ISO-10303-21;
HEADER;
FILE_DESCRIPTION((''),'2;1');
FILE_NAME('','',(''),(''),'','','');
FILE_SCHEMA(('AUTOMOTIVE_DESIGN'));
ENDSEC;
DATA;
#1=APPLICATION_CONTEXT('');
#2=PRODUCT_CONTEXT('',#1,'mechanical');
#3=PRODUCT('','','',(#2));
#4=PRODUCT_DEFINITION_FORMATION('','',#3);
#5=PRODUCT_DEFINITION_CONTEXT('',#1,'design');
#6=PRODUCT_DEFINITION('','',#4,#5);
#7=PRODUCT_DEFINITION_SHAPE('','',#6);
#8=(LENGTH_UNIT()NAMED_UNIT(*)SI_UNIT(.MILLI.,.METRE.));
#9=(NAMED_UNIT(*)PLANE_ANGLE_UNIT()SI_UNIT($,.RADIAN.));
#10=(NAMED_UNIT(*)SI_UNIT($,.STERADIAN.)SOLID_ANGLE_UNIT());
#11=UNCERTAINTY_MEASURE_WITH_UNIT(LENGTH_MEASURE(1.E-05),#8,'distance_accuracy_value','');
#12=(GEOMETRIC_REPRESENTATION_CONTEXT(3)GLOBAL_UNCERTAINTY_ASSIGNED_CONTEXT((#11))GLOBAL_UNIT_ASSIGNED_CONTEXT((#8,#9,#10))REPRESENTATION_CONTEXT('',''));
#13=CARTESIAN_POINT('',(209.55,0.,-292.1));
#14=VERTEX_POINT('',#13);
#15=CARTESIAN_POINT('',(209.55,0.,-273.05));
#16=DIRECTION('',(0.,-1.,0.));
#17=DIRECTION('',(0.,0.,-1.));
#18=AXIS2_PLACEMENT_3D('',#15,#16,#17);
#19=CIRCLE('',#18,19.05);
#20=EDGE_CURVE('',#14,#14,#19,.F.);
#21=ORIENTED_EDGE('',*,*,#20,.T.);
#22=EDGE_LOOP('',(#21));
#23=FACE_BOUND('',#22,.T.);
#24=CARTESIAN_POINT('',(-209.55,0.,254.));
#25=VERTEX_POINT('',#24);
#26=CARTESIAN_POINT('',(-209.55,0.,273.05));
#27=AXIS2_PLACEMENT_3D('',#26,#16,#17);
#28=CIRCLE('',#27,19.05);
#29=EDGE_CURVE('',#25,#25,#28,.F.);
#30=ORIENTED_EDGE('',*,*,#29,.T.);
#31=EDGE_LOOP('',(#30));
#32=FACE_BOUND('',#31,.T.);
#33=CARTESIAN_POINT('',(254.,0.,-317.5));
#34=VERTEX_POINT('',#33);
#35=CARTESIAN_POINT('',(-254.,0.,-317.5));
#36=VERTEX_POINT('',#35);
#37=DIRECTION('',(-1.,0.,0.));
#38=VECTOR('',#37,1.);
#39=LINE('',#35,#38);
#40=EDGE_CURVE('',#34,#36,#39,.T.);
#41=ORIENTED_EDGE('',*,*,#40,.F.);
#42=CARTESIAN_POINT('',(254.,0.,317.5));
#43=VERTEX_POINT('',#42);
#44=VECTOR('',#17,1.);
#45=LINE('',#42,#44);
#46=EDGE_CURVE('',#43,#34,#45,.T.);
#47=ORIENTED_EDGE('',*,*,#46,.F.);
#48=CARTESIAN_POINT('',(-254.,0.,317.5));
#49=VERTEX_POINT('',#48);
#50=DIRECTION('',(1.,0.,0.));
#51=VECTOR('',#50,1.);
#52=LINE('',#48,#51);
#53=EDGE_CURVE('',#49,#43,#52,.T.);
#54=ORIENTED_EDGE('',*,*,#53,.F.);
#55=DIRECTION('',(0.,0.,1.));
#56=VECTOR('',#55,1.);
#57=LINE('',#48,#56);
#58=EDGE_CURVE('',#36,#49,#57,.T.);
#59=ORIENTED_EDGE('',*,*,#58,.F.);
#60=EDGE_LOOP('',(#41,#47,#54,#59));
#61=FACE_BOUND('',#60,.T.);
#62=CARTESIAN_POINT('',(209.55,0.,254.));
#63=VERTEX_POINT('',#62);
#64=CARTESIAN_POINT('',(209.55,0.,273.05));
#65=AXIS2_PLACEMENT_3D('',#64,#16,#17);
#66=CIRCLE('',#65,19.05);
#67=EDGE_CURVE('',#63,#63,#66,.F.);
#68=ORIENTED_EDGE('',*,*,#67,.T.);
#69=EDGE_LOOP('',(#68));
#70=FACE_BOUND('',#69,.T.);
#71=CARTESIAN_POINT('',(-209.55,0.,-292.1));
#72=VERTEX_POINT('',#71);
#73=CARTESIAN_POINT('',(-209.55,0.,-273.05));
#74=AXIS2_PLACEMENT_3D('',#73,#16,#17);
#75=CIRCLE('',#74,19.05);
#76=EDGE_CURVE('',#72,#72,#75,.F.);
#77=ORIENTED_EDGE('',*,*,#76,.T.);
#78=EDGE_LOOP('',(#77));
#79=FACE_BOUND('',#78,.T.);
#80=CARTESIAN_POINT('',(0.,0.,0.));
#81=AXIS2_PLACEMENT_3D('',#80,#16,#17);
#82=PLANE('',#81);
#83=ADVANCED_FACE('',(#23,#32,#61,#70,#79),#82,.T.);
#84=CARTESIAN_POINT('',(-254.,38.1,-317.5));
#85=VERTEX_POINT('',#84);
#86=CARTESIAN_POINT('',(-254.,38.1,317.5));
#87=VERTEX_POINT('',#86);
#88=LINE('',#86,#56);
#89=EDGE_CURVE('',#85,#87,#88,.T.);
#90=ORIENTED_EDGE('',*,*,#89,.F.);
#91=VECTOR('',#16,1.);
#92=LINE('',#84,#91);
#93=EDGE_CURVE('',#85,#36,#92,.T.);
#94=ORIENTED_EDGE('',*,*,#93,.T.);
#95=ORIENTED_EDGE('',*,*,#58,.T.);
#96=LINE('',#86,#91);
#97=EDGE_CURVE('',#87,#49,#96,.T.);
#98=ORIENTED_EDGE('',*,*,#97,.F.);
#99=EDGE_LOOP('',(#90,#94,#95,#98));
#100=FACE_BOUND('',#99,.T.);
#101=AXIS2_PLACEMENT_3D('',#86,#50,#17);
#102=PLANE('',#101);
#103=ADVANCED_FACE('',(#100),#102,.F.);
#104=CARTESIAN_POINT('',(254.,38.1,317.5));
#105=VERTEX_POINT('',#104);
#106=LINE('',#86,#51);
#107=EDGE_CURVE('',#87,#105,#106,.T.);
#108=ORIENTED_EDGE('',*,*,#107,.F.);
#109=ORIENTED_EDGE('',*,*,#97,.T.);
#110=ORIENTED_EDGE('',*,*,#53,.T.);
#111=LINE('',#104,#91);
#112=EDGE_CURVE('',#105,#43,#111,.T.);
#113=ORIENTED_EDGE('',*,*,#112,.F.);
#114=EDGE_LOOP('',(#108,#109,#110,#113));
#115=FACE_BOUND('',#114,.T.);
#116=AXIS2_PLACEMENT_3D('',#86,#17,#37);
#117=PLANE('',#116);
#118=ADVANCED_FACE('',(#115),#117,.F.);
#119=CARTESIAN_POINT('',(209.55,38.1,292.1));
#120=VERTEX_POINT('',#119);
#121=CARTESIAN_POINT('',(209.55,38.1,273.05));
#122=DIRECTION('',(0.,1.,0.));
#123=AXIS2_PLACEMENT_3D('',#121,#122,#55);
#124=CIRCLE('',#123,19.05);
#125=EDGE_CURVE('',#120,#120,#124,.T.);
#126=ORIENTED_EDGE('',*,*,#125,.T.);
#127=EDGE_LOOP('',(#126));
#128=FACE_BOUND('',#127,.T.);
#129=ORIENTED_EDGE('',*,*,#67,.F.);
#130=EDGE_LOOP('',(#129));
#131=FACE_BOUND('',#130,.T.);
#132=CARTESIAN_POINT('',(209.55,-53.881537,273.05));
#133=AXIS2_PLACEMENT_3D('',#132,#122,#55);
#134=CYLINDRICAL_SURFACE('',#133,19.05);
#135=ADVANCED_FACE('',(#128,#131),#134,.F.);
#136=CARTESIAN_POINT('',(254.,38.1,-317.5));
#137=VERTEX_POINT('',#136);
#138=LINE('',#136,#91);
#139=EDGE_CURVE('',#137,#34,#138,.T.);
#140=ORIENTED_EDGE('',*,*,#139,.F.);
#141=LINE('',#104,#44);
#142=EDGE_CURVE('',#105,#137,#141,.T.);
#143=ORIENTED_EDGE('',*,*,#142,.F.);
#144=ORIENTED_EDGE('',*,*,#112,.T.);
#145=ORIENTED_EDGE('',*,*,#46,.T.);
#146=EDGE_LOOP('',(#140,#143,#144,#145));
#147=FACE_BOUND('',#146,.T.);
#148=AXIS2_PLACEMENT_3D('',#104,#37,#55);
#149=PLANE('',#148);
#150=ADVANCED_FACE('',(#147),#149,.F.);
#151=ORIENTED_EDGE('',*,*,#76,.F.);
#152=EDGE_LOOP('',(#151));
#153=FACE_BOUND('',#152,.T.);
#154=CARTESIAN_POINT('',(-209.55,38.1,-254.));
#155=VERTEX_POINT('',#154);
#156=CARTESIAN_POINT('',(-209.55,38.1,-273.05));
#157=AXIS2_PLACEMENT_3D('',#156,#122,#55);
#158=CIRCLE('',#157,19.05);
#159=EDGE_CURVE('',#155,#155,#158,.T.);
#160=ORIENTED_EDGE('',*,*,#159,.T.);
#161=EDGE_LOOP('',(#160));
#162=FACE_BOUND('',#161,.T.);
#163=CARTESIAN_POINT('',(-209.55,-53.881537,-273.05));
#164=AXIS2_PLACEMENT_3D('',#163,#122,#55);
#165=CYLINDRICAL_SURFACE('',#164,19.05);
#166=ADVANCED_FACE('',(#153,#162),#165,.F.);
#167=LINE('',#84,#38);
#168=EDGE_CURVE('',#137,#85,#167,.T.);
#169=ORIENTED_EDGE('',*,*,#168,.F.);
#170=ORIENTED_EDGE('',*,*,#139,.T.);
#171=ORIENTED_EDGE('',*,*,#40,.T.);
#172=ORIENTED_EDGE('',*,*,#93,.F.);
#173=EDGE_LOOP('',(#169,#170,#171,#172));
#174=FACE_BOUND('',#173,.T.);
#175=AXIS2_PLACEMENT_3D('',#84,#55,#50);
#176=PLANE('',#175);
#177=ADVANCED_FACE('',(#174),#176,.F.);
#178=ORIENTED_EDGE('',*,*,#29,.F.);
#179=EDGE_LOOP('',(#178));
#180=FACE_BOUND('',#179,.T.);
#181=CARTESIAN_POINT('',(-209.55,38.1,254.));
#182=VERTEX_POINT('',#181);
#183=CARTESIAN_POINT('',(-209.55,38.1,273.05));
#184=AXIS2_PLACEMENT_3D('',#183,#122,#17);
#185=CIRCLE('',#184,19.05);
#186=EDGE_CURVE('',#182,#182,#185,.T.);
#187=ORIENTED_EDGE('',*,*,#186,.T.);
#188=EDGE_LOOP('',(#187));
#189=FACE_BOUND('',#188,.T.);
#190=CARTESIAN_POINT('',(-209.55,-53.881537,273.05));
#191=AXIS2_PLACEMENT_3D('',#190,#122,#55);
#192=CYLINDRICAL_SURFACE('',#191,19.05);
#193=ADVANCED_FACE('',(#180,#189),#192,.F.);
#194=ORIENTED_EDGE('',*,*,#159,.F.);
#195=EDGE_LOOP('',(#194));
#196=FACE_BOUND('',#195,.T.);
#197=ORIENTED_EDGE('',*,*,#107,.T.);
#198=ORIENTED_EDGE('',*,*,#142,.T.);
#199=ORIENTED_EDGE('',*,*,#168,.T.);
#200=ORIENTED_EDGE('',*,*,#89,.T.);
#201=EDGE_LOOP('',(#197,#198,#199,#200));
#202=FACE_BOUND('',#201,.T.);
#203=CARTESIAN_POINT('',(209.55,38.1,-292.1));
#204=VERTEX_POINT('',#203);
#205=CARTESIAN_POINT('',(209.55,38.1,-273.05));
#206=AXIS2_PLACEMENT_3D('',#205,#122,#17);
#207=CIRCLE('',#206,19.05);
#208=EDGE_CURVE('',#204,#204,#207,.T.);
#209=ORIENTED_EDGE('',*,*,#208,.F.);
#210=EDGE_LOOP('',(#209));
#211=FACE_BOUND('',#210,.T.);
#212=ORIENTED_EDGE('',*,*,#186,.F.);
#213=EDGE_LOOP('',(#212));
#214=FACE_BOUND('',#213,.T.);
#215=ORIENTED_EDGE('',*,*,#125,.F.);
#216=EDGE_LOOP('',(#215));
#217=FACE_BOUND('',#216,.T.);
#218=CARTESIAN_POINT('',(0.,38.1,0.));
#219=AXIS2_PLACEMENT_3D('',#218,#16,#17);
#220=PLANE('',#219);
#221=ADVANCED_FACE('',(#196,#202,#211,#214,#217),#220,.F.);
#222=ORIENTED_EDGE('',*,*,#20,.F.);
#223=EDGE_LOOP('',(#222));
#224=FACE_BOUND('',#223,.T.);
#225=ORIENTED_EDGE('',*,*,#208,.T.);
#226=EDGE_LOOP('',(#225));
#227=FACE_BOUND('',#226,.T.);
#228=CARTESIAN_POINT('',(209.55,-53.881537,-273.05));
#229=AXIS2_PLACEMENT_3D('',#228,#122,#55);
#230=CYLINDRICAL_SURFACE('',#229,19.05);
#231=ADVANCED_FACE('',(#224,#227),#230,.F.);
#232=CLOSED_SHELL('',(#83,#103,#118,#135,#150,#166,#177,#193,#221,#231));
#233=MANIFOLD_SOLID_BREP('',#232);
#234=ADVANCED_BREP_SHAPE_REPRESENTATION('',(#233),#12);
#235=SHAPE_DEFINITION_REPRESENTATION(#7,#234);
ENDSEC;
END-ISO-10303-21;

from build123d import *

# Parameters (mm, degrees)
CROQUIS2_W              = 508
CROQUIS2_H              = 635
SALIENTE_EXTRUIR2_DEPTH = 38.1
CROQUIS3_R              = 19.05
CORTAR_EXTRUIR1_DEPTH   = 38.1


with BuildPart() as part:
    # Croquis2 → Saliente-Extruir2 (new body)
    with BuildSketch(Plane(origin=(0, 0, 0), x_dir=(1, 0, 0), z_dir=(0, 1, 0))):
        Rectangle(CROQUIS2_W, CROQUIS2_H)
    extrude(amount=SALIENTE_EXTRUIR2_DEPTH)

    # Croquis3 → Cortar-Extruir1 (cut)
    with BuildSketch(Plane(origin=(0, 38.1, 0), x_dir=(1, 0, 0), z_dir=(0, 1, 0))):
        with Locations((-209.55, 273.05)):
            Circle(CROQUIS3_R)
        with Locations((209.55, 273.05)):
            Circle(CROQUIS3_R)
        with Locations((209.55, -273.05)):
            Circle(CROQUIS3_R)
        with Locations((-209.55, -273.05)):
            Circle(CROQUIS3_R)
    extrude(amount=-CORTAR_EXTRUIR1_DEPTH, mode=Mode.SUBTRACT)


solid = part.part
